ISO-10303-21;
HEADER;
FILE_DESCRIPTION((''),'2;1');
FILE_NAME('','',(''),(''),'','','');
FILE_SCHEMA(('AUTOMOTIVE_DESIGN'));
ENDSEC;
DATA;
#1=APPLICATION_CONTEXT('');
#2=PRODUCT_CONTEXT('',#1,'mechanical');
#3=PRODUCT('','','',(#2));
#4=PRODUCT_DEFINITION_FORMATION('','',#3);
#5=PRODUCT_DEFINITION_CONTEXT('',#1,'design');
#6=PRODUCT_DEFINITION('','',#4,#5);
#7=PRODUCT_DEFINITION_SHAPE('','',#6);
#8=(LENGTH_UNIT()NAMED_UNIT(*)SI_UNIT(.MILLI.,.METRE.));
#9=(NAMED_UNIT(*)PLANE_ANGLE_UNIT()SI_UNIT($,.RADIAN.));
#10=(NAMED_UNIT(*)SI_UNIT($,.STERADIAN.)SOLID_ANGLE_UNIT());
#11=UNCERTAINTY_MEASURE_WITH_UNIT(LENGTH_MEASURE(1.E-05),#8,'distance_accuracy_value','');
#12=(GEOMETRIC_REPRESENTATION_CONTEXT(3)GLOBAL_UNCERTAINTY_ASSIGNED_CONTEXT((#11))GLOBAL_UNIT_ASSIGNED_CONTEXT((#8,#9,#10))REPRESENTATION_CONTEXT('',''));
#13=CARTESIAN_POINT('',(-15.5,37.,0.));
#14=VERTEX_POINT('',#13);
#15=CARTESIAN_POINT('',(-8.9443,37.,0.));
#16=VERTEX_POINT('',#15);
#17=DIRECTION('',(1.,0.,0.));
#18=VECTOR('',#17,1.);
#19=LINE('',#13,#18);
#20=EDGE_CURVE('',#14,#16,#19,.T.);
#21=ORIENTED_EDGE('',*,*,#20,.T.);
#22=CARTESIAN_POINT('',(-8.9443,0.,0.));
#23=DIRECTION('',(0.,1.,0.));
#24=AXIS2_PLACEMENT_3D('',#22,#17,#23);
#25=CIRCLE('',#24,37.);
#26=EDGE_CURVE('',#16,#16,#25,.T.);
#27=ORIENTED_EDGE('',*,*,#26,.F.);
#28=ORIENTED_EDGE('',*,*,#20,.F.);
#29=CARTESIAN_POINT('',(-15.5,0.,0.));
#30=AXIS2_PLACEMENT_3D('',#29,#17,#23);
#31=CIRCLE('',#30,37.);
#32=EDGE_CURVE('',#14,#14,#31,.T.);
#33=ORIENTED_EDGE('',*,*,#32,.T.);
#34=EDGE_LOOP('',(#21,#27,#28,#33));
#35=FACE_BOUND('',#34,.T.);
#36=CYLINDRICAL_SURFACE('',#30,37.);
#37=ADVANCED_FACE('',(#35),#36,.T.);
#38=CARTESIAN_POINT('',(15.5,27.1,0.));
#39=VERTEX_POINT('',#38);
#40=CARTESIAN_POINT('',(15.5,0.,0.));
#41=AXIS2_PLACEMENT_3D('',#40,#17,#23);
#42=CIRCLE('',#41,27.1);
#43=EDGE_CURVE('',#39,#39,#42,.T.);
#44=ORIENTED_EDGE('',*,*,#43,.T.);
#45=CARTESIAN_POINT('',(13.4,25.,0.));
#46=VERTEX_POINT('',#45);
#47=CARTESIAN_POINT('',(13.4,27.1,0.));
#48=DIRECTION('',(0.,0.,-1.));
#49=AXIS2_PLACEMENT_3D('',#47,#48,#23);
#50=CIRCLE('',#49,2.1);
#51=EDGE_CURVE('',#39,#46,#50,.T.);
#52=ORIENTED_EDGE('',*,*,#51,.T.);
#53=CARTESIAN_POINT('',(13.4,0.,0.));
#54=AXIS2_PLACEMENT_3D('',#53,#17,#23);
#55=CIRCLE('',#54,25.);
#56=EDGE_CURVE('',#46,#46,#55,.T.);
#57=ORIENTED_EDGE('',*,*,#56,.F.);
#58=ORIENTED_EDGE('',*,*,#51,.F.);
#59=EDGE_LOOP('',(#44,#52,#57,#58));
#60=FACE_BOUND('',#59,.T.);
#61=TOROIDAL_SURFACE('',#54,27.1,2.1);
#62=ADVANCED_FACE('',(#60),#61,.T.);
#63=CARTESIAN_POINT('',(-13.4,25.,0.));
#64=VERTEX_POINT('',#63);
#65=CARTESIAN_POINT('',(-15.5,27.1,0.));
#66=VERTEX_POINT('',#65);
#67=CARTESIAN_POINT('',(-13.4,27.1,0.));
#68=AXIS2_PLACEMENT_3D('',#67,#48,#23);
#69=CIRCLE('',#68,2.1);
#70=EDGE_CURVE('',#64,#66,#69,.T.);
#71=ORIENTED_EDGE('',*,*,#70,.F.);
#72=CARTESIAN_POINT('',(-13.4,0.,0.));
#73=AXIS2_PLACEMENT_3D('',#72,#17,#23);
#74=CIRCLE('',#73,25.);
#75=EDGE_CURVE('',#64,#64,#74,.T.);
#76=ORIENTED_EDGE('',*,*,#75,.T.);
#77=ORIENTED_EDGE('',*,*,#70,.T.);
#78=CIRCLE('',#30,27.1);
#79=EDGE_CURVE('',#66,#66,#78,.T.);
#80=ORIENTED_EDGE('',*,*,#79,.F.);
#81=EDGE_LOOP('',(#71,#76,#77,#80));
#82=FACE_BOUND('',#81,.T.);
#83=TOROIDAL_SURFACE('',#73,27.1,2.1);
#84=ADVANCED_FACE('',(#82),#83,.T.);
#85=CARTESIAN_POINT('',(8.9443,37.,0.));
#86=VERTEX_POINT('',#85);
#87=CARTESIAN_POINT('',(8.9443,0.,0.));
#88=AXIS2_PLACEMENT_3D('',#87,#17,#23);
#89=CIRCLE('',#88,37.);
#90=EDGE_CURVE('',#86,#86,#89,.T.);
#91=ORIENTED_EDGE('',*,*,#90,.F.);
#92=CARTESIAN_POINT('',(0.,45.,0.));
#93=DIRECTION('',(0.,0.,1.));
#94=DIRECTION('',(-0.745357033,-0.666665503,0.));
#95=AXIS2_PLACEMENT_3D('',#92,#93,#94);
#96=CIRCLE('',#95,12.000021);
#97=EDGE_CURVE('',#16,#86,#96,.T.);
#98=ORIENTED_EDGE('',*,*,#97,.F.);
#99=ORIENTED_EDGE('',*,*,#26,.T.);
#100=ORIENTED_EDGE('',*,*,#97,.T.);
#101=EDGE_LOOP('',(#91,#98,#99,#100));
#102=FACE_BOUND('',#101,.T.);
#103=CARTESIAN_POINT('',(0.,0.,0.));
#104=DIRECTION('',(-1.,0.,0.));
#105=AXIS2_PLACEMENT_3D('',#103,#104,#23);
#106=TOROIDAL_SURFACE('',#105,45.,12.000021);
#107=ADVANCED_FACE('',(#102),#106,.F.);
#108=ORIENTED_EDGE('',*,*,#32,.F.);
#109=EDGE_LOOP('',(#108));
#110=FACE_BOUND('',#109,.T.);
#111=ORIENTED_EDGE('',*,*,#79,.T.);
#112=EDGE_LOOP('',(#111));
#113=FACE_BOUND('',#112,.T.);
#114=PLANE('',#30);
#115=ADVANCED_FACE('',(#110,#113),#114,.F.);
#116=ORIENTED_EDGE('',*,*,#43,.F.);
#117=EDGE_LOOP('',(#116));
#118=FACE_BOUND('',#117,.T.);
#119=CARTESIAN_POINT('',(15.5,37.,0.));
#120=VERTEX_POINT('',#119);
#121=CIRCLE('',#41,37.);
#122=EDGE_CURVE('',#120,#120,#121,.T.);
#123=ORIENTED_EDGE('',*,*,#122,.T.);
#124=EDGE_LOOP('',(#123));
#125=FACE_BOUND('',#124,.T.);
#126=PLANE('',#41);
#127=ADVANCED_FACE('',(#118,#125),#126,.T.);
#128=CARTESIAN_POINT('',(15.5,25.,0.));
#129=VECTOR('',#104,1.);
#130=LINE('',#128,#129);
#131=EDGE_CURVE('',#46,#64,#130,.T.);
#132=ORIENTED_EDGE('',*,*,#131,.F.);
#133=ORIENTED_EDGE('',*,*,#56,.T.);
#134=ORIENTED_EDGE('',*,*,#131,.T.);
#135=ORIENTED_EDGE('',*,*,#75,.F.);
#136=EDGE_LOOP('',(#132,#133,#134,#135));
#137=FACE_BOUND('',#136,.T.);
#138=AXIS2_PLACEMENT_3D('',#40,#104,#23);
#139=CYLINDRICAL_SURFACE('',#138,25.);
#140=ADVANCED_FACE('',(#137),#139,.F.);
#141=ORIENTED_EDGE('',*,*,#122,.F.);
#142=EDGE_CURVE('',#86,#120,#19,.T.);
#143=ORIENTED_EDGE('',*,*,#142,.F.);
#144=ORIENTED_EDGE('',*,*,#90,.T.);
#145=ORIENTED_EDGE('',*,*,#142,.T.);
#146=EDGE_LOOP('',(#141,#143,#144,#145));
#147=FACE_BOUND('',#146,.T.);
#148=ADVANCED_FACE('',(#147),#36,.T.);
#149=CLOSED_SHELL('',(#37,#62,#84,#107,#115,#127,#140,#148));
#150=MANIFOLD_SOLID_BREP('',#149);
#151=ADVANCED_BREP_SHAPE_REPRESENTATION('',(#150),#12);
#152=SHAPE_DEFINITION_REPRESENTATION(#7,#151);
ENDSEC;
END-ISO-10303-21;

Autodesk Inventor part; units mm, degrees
ref_plane "YZ Plane" through (0, 0, 0) normal (1, 0, 0) x (0, 1, 0)
ref_plane "XZ Plane" through (0, 0, 0) normal (0, 1, 0) x (-1, 0, 0)
ref_plane "XY Plane" through (0, 0, 0) normal (0, 0, 1) x (1, 0, 0)
sketch "Sketch1" plane through (0, 0, 0) normal (0, 0, 1) x (1, 0, 0)
  line L0 (-15.5, 37) -> (15.5, 37)
  line L1 (15.5, 37) -> (15.5, 25)
  line L2 (15.5, 25) -> (-15.5, 25)
  line L3 (-15.5, 25) -> (-15.5, 37)
  arc A0 (-8.9443, 37) -> (8.9443, 37) centre (0, 45) ccw
  line L4 (-21.7, 0) -> (21.7, 0) projected
  point P0 (0, 0)
  dimension "d0" = 31
  dimension "d1" = 12
  dimension "d2" = 25
  dimension "d3" = 15.5
  dimension "d4" = 8
  dimension "d5" = 12
revolve "Revolution1" add sketch "Sketch1" angle 360 about axis through (-10, 0, 0) along (1, 0, 0) contours L0 A0 L1 L2 L3
fillet "Fillet1" radius 2.1 2 edges at (15.5, -25, 0) (-15.5, -25, 0)
properties part number "Inner Ring" material "Lead"
